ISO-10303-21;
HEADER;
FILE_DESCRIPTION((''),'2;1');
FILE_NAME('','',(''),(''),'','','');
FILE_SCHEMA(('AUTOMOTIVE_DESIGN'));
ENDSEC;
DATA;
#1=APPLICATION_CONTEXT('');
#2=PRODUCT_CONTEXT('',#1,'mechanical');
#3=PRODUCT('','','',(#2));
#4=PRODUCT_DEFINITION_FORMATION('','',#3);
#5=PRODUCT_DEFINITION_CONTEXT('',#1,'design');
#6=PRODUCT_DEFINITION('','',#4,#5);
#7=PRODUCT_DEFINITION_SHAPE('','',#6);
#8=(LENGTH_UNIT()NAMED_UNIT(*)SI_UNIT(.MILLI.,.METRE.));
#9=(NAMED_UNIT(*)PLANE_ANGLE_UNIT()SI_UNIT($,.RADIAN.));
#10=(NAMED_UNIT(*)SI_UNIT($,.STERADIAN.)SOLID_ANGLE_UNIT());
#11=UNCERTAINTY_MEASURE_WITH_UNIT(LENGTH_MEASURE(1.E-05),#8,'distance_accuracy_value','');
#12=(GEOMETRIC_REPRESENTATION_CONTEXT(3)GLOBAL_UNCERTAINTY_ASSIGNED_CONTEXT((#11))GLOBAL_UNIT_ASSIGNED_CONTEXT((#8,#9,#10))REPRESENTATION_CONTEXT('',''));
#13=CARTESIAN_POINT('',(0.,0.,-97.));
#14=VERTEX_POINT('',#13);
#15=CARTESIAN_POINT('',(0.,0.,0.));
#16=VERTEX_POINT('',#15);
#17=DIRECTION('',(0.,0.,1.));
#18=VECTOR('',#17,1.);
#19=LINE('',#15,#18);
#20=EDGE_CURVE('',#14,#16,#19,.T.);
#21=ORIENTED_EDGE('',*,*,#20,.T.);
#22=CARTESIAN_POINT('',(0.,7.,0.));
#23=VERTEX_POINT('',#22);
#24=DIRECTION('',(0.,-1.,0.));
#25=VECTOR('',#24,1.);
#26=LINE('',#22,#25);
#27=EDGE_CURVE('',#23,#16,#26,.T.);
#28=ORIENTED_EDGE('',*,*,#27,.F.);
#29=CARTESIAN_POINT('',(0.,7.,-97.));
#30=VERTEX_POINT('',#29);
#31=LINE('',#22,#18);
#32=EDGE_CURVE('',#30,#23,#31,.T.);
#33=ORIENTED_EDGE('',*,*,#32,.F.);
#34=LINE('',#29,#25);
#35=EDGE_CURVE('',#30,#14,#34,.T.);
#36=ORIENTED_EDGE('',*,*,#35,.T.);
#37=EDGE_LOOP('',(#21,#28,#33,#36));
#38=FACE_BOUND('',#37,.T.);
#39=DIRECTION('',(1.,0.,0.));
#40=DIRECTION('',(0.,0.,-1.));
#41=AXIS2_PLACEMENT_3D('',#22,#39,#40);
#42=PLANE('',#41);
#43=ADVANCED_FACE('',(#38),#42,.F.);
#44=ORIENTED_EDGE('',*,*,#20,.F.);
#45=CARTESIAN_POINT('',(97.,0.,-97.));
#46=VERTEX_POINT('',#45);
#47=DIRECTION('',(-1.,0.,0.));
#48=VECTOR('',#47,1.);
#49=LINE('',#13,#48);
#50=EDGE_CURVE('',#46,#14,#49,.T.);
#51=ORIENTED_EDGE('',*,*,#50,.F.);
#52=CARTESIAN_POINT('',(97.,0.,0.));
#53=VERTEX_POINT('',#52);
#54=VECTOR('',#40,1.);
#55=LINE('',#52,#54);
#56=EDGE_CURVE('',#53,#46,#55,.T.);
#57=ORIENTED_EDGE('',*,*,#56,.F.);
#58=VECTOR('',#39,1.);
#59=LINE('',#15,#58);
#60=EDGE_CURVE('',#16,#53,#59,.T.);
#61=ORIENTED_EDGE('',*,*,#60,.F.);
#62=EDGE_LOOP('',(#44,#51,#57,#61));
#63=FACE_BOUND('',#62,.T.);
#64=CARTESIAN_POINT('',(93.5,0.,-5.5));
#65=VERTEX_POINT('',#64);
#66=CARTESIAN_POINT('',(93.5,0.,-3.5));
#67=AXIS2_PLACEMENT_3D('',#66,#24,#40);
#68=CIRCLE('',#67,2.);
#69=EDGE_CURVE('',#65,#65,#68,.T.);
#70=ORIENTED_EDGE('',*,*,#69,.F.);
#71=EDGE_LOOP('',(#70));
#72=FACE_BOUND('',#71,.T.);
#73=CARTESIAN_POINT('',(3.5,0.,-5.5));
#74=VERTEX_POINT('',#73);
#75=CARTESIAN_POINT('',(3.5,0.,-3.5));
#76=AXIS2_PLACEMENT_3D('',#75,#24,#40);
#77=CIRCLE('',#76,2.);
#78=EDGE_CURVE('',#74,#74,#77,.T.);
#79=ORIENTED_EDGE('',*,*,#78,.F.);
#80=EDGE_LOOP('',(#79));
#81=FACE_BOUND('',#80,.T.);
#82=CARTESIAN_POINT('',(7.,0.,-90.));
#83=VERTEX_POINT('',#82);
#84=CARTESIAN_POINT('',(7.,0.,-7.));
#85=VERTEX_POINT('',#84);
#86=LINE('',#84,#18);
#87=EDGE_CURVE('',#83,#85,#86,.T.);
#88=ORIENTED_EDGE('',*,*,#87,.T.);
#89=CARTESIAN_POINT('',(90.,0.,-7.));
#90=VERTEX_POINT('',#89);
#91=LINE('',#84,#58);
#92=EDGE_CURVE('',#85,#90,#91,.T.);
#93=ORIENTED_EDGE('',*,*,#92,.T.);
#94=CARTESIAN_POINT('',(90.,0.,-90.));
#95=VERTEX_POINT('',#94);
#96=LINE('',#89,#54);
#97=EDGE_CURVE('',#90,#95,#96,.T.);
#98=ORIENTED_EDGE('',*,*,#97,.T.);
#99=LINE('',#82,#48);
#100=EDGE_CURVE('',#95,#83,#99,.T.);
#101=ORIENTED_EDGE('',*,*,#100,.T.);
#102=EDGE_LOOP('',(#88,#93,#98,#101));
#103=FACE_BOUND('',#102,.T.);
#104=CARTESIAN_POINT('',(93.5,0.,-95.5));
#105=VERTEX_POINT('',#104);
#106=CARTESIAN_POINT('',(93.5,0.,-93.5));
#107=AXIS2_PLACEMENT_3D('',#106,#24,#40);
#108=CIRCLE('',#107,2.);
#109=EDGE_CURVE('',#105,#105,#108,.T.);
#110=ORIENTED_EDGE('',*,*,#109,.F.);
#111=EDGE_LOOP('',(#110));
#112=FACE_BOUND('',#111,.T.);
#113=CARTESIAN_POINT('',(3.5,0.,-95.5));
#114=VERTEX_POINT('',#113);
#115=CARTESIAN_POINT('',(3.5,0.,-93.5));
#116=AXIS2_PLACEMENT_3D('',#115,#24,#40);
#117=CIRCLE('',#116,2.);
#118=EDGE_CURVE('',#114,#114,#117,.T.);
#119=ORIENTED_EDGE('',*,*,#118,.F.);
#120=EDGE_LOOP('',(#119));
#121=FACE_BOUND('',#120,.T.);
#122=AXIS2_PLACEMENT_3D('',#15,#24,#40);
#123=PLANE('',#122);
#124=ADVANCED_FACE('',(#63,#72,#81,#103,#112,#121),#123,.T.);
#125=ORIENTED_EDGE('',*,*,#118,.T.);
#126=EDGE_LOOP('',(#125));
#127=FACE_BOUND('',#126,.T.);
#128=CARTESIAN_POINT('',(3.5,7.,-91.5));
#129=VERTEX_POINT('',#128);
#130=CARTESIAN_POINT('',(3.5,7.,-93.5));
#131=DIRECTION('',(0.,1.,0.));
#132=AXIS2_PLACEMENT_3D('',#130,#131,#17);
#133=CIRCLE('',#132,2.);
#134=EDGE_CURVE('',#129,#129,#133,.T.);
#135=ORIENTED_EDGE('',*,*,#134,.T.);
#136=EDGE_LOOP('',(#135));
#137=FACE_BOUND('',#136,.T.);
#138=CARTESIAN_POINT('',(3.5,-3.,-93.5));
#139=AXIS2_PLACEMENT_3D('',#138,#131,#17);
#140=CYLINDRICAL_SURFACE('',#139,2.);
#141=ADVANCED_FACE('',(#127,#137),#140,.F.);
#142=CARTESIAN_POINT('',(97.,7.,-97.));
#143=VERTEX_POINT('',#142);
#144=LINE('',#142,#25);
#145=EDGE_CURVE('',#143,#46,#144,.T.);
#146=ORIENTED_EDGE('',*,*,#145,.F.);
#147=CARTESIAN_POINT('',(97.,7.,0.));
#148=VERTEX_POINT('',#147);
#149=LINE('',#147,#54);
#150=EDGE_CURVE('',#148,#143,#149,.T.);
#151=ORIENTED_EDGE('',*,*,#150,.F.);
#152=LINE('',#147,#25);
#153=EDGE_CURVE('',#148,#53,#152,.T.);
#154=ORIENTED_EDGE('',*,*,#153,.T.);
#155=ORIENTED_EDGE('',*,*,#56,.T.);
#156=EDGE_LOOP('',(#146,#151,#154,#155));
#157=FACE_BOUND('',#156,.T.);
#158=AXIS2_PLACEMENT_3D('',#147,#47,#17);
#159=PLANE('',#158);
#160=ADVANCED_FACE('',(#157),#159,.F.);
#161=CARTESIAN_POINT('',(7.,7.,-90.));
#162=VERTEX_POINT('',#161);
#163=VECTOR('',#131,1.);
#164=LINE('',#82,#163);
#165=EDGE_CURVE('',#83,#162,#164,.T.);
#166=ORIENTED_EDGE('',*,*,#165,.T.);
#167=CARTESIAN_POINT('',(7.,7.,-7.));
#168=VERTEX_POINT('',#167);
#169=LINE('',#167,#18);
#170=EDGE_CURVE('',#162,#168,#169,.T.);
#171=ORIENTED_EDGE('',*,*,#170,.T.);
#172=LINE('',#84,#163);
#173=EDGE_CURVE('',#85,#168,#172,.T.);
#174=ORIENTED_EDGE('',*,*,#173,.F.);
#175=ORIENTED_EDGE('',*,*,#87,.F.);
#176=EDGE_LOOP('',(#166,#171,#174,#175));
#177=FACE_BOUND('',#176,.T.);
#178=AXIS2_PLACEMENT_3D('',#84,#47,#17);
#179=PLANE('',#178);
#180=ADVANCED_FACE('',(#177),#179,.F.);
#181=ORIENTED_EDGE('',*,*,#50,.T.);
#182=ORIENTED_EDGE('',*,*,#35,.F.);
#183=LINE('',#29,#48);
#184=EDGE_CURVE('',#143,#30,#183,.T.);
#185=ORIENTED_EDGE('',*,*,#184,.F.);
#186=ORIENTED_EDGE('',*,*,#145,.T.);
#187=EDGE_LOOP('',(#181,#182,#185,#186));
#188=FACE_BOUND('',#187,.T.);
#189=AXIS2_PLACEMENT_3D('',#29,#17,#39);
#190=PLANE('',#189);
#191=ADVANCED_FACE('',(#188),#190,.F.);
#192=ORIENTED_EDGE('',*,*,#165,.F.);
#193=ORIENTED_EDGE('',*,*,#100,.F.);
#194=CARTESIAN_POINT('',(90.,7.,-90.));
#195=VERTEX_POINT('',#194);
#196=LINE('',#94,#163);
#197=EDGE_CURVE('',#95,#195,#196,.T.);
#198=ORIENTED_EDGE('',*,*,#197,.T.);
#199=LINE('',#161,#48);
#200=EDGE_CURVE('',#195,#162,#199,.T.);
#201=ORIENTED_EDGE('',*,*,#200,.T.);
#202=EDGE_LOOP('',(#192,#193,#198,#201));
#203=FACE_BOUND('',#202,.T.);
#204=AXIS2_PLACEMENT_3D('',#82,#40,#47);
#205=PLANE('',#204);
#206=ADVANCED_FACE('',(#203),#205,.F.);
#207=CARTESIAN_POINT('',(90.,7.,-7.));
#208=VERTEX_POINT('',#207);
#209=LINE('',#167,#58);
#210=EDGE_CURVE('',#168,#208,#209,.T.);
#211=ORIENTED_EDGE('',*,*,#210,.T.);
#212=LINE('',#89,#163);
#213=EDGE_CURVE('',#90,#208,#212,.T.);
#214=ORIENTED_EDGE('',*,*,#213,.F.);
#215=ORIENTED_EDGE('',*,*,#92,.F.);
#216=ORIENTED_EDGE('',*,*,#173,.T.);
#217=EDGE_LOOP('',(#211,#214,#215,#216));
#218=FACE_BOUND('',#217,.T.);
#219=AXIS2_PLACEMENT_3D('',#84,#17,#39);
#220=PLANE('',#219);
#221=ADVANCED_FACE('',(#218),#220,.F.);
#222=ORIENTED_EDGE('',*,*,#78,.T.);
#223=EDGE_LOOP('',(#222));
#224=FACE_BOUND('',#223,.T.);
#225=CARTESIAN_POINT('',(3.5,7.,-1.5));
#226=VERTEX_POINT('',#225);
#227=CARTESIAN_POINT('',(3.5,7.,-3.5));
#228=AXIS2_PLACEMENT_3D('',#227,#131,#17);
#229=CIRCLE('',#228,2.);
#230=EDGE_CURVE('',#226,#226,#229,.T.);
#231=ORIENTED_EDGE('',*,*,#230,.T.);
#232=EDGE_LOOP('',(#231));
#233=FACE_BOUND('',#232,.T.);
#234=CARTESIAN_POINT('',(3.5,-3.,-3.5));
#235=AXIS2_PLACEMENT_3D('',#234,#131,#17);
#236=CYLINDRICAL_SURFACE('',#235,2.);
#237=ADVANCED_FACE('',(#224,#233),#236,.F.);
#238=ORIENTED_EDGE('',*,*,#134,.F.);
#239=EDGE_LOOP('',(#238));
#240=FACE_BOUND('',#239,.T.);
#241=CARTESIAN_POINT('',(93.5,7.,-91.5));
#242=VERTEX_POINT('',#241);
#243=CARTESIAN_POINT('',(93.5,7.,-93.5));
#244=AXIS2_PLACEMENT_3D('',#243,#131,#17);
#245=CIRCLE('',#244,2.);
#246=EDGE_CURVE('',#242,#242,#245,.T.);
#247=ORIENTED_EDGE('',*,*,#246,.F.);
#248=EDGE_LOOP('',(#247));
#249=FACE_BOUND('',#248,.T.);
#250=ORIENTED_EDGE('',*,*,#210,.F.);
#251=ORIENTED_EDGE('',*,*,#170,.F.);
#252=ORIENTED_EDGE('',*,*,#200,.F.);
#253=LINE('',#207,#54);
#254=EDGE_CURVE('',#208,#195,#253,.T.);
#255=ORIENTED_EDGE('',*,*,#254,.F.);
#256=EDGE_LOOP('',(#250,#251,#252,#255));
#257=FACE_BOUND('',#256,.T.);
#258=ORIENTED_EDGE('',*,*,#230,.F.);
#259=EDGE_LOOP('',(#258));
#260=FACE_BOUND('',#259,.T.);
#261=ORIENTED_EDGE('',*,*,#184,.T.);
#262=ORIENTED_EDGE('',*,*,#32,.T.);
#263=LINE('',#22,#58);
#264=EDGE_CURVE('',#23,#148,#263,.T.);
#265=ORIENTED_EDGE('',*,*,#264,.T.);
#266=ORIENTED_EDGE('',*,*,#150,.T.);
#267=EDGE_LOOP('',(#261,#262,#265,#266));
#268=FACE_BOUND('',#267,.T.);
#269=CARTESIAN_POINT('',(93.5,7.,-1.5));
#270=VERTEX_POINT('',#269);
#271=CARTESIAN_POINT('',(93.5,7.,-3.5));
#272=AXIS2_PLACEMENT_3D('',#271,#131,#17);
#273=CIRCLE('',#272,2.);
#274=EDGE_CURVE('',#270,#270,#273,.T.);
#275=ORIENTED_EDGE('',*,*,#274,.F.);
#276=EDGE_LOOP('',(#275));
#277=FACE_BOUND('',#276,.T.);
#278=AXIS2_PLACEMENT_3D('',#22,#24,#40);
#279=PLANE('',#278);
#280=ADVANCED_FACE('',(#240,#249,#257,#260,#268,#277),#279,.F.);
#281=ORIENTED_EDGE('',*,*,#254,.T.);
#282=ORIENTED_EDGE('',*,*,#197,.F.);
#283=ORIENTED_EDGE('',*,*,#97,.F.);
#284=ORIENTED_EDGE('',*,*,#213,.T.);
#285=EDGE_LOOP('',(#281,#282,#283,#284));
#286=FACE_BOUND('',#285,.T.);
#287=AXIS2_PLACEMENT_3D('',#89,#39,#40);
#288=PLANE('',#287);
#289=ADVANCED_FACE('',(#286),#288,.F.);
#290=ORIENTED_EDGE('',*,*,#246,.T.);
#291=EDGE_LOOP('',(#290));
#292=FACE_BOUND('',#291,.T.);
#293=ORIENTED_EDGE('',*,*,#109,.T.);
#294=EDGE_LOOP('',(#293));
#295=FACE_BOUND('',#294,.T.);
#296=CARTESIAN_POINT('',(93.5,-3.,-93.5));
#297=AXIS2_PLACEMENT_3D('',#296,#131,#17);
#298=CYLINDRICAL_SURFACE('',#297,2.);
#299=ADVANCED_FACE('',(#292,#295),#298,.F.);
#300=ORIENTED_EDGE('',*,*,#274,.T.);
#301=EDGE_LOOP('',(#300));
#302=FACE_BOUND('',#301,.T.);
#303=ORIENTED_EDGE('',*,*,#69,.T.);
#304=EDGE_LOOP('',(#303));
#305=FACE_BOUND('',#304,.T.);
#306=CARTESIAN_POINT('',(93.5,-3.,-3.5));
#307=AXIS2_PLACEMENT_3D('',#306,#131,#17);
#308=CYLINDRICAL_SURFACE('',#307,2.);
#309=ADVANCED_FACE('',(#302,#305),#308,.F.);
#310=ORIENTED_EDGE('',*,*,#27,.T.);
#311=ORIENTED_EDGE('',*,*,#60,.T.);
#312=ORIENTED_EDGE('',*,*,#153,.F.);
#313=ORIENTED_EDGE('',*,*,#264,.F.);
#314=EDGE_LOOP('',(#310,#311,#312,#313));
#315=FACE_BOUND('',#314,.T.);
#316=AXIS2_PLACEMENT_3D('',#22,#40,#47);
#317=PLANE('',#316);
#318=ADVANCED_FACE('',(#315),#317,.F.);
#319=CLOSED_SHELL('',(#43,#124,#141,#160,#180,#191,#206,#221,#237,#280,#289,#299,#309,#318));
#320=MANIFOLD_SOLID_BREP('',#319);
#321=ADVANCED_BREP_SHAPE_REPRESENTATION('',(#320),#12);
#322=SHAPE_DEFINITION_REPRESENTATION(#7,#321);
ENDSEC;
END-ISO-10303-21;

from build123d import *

# Parameters (mm, degrees)
SKETCH1_W           = 97
SKETCH1_H           = 97
BOSS_EXTRUDE1_DEPTH = 7
SKETCH2_W           = 83
SKETCH2_H           = 83
CUT_EXTRUDE1_DEPTH  = 7
SKETCH3_R           = 2
CUT_EXTRUDE2_DEPTH  = 10


with BuildPart() as part:
    # Sketch1 → Boss-Extrude1 (new body)
    with BuildSketch(Plane(origin=(0, 0, 0), x_dir=(1, 0, 0), z_dir=(0, 1, 0))):
        with Locations((48.5, 48.5)):
            Rectangle(SKETCH1_W, SKETCH1_H)
    extrude(amount=BOSS_EXTRUDE1_DEPTH)

    # Sketch2 → Cut-Extrude1 (cut)
    with BuildSketch(Plane(origin=(0, 7, 0), x_dir=(1, 0, 0), z_dir=(0, 1, 0))):
        with Locations((48.5, 48.5)):
            Rectangle(SKETCH2_W, SKETCH2_H)
    extrude(amount=-CUT_EXTRUDE1_DEPTH, mode=Mode.SUBTRACT)

    # Sketch3 → Cut-Extrude2 (cut)
    with BuildSketch(Plane(origin=(0, 7, 0), x_dir=(1, 0, 0), z_dir=(0, 1, 0))):
        with Locations(Location((3.5, 93.5, 0), (0, 0, 270))):
            Circle(SKETCH3_R)
        with Locations(Location((93.5, 3.5, 0), (0, 0, 270))):
            Circle(SKETCH3_R)
        with Locations(Location((3.5, 3.5, 0), (0, 0, 270))):
            Circle(SKETCH3_R)
        with Locations(Location((93.5, 93.5, 0), (0, 0, 270))):
            Circle(SKETCH3_R)
    extrude(amount=-CUT_EXTRUDE2_DEPTH, mode=Mode.SUBTRACT)


solid = part.part
